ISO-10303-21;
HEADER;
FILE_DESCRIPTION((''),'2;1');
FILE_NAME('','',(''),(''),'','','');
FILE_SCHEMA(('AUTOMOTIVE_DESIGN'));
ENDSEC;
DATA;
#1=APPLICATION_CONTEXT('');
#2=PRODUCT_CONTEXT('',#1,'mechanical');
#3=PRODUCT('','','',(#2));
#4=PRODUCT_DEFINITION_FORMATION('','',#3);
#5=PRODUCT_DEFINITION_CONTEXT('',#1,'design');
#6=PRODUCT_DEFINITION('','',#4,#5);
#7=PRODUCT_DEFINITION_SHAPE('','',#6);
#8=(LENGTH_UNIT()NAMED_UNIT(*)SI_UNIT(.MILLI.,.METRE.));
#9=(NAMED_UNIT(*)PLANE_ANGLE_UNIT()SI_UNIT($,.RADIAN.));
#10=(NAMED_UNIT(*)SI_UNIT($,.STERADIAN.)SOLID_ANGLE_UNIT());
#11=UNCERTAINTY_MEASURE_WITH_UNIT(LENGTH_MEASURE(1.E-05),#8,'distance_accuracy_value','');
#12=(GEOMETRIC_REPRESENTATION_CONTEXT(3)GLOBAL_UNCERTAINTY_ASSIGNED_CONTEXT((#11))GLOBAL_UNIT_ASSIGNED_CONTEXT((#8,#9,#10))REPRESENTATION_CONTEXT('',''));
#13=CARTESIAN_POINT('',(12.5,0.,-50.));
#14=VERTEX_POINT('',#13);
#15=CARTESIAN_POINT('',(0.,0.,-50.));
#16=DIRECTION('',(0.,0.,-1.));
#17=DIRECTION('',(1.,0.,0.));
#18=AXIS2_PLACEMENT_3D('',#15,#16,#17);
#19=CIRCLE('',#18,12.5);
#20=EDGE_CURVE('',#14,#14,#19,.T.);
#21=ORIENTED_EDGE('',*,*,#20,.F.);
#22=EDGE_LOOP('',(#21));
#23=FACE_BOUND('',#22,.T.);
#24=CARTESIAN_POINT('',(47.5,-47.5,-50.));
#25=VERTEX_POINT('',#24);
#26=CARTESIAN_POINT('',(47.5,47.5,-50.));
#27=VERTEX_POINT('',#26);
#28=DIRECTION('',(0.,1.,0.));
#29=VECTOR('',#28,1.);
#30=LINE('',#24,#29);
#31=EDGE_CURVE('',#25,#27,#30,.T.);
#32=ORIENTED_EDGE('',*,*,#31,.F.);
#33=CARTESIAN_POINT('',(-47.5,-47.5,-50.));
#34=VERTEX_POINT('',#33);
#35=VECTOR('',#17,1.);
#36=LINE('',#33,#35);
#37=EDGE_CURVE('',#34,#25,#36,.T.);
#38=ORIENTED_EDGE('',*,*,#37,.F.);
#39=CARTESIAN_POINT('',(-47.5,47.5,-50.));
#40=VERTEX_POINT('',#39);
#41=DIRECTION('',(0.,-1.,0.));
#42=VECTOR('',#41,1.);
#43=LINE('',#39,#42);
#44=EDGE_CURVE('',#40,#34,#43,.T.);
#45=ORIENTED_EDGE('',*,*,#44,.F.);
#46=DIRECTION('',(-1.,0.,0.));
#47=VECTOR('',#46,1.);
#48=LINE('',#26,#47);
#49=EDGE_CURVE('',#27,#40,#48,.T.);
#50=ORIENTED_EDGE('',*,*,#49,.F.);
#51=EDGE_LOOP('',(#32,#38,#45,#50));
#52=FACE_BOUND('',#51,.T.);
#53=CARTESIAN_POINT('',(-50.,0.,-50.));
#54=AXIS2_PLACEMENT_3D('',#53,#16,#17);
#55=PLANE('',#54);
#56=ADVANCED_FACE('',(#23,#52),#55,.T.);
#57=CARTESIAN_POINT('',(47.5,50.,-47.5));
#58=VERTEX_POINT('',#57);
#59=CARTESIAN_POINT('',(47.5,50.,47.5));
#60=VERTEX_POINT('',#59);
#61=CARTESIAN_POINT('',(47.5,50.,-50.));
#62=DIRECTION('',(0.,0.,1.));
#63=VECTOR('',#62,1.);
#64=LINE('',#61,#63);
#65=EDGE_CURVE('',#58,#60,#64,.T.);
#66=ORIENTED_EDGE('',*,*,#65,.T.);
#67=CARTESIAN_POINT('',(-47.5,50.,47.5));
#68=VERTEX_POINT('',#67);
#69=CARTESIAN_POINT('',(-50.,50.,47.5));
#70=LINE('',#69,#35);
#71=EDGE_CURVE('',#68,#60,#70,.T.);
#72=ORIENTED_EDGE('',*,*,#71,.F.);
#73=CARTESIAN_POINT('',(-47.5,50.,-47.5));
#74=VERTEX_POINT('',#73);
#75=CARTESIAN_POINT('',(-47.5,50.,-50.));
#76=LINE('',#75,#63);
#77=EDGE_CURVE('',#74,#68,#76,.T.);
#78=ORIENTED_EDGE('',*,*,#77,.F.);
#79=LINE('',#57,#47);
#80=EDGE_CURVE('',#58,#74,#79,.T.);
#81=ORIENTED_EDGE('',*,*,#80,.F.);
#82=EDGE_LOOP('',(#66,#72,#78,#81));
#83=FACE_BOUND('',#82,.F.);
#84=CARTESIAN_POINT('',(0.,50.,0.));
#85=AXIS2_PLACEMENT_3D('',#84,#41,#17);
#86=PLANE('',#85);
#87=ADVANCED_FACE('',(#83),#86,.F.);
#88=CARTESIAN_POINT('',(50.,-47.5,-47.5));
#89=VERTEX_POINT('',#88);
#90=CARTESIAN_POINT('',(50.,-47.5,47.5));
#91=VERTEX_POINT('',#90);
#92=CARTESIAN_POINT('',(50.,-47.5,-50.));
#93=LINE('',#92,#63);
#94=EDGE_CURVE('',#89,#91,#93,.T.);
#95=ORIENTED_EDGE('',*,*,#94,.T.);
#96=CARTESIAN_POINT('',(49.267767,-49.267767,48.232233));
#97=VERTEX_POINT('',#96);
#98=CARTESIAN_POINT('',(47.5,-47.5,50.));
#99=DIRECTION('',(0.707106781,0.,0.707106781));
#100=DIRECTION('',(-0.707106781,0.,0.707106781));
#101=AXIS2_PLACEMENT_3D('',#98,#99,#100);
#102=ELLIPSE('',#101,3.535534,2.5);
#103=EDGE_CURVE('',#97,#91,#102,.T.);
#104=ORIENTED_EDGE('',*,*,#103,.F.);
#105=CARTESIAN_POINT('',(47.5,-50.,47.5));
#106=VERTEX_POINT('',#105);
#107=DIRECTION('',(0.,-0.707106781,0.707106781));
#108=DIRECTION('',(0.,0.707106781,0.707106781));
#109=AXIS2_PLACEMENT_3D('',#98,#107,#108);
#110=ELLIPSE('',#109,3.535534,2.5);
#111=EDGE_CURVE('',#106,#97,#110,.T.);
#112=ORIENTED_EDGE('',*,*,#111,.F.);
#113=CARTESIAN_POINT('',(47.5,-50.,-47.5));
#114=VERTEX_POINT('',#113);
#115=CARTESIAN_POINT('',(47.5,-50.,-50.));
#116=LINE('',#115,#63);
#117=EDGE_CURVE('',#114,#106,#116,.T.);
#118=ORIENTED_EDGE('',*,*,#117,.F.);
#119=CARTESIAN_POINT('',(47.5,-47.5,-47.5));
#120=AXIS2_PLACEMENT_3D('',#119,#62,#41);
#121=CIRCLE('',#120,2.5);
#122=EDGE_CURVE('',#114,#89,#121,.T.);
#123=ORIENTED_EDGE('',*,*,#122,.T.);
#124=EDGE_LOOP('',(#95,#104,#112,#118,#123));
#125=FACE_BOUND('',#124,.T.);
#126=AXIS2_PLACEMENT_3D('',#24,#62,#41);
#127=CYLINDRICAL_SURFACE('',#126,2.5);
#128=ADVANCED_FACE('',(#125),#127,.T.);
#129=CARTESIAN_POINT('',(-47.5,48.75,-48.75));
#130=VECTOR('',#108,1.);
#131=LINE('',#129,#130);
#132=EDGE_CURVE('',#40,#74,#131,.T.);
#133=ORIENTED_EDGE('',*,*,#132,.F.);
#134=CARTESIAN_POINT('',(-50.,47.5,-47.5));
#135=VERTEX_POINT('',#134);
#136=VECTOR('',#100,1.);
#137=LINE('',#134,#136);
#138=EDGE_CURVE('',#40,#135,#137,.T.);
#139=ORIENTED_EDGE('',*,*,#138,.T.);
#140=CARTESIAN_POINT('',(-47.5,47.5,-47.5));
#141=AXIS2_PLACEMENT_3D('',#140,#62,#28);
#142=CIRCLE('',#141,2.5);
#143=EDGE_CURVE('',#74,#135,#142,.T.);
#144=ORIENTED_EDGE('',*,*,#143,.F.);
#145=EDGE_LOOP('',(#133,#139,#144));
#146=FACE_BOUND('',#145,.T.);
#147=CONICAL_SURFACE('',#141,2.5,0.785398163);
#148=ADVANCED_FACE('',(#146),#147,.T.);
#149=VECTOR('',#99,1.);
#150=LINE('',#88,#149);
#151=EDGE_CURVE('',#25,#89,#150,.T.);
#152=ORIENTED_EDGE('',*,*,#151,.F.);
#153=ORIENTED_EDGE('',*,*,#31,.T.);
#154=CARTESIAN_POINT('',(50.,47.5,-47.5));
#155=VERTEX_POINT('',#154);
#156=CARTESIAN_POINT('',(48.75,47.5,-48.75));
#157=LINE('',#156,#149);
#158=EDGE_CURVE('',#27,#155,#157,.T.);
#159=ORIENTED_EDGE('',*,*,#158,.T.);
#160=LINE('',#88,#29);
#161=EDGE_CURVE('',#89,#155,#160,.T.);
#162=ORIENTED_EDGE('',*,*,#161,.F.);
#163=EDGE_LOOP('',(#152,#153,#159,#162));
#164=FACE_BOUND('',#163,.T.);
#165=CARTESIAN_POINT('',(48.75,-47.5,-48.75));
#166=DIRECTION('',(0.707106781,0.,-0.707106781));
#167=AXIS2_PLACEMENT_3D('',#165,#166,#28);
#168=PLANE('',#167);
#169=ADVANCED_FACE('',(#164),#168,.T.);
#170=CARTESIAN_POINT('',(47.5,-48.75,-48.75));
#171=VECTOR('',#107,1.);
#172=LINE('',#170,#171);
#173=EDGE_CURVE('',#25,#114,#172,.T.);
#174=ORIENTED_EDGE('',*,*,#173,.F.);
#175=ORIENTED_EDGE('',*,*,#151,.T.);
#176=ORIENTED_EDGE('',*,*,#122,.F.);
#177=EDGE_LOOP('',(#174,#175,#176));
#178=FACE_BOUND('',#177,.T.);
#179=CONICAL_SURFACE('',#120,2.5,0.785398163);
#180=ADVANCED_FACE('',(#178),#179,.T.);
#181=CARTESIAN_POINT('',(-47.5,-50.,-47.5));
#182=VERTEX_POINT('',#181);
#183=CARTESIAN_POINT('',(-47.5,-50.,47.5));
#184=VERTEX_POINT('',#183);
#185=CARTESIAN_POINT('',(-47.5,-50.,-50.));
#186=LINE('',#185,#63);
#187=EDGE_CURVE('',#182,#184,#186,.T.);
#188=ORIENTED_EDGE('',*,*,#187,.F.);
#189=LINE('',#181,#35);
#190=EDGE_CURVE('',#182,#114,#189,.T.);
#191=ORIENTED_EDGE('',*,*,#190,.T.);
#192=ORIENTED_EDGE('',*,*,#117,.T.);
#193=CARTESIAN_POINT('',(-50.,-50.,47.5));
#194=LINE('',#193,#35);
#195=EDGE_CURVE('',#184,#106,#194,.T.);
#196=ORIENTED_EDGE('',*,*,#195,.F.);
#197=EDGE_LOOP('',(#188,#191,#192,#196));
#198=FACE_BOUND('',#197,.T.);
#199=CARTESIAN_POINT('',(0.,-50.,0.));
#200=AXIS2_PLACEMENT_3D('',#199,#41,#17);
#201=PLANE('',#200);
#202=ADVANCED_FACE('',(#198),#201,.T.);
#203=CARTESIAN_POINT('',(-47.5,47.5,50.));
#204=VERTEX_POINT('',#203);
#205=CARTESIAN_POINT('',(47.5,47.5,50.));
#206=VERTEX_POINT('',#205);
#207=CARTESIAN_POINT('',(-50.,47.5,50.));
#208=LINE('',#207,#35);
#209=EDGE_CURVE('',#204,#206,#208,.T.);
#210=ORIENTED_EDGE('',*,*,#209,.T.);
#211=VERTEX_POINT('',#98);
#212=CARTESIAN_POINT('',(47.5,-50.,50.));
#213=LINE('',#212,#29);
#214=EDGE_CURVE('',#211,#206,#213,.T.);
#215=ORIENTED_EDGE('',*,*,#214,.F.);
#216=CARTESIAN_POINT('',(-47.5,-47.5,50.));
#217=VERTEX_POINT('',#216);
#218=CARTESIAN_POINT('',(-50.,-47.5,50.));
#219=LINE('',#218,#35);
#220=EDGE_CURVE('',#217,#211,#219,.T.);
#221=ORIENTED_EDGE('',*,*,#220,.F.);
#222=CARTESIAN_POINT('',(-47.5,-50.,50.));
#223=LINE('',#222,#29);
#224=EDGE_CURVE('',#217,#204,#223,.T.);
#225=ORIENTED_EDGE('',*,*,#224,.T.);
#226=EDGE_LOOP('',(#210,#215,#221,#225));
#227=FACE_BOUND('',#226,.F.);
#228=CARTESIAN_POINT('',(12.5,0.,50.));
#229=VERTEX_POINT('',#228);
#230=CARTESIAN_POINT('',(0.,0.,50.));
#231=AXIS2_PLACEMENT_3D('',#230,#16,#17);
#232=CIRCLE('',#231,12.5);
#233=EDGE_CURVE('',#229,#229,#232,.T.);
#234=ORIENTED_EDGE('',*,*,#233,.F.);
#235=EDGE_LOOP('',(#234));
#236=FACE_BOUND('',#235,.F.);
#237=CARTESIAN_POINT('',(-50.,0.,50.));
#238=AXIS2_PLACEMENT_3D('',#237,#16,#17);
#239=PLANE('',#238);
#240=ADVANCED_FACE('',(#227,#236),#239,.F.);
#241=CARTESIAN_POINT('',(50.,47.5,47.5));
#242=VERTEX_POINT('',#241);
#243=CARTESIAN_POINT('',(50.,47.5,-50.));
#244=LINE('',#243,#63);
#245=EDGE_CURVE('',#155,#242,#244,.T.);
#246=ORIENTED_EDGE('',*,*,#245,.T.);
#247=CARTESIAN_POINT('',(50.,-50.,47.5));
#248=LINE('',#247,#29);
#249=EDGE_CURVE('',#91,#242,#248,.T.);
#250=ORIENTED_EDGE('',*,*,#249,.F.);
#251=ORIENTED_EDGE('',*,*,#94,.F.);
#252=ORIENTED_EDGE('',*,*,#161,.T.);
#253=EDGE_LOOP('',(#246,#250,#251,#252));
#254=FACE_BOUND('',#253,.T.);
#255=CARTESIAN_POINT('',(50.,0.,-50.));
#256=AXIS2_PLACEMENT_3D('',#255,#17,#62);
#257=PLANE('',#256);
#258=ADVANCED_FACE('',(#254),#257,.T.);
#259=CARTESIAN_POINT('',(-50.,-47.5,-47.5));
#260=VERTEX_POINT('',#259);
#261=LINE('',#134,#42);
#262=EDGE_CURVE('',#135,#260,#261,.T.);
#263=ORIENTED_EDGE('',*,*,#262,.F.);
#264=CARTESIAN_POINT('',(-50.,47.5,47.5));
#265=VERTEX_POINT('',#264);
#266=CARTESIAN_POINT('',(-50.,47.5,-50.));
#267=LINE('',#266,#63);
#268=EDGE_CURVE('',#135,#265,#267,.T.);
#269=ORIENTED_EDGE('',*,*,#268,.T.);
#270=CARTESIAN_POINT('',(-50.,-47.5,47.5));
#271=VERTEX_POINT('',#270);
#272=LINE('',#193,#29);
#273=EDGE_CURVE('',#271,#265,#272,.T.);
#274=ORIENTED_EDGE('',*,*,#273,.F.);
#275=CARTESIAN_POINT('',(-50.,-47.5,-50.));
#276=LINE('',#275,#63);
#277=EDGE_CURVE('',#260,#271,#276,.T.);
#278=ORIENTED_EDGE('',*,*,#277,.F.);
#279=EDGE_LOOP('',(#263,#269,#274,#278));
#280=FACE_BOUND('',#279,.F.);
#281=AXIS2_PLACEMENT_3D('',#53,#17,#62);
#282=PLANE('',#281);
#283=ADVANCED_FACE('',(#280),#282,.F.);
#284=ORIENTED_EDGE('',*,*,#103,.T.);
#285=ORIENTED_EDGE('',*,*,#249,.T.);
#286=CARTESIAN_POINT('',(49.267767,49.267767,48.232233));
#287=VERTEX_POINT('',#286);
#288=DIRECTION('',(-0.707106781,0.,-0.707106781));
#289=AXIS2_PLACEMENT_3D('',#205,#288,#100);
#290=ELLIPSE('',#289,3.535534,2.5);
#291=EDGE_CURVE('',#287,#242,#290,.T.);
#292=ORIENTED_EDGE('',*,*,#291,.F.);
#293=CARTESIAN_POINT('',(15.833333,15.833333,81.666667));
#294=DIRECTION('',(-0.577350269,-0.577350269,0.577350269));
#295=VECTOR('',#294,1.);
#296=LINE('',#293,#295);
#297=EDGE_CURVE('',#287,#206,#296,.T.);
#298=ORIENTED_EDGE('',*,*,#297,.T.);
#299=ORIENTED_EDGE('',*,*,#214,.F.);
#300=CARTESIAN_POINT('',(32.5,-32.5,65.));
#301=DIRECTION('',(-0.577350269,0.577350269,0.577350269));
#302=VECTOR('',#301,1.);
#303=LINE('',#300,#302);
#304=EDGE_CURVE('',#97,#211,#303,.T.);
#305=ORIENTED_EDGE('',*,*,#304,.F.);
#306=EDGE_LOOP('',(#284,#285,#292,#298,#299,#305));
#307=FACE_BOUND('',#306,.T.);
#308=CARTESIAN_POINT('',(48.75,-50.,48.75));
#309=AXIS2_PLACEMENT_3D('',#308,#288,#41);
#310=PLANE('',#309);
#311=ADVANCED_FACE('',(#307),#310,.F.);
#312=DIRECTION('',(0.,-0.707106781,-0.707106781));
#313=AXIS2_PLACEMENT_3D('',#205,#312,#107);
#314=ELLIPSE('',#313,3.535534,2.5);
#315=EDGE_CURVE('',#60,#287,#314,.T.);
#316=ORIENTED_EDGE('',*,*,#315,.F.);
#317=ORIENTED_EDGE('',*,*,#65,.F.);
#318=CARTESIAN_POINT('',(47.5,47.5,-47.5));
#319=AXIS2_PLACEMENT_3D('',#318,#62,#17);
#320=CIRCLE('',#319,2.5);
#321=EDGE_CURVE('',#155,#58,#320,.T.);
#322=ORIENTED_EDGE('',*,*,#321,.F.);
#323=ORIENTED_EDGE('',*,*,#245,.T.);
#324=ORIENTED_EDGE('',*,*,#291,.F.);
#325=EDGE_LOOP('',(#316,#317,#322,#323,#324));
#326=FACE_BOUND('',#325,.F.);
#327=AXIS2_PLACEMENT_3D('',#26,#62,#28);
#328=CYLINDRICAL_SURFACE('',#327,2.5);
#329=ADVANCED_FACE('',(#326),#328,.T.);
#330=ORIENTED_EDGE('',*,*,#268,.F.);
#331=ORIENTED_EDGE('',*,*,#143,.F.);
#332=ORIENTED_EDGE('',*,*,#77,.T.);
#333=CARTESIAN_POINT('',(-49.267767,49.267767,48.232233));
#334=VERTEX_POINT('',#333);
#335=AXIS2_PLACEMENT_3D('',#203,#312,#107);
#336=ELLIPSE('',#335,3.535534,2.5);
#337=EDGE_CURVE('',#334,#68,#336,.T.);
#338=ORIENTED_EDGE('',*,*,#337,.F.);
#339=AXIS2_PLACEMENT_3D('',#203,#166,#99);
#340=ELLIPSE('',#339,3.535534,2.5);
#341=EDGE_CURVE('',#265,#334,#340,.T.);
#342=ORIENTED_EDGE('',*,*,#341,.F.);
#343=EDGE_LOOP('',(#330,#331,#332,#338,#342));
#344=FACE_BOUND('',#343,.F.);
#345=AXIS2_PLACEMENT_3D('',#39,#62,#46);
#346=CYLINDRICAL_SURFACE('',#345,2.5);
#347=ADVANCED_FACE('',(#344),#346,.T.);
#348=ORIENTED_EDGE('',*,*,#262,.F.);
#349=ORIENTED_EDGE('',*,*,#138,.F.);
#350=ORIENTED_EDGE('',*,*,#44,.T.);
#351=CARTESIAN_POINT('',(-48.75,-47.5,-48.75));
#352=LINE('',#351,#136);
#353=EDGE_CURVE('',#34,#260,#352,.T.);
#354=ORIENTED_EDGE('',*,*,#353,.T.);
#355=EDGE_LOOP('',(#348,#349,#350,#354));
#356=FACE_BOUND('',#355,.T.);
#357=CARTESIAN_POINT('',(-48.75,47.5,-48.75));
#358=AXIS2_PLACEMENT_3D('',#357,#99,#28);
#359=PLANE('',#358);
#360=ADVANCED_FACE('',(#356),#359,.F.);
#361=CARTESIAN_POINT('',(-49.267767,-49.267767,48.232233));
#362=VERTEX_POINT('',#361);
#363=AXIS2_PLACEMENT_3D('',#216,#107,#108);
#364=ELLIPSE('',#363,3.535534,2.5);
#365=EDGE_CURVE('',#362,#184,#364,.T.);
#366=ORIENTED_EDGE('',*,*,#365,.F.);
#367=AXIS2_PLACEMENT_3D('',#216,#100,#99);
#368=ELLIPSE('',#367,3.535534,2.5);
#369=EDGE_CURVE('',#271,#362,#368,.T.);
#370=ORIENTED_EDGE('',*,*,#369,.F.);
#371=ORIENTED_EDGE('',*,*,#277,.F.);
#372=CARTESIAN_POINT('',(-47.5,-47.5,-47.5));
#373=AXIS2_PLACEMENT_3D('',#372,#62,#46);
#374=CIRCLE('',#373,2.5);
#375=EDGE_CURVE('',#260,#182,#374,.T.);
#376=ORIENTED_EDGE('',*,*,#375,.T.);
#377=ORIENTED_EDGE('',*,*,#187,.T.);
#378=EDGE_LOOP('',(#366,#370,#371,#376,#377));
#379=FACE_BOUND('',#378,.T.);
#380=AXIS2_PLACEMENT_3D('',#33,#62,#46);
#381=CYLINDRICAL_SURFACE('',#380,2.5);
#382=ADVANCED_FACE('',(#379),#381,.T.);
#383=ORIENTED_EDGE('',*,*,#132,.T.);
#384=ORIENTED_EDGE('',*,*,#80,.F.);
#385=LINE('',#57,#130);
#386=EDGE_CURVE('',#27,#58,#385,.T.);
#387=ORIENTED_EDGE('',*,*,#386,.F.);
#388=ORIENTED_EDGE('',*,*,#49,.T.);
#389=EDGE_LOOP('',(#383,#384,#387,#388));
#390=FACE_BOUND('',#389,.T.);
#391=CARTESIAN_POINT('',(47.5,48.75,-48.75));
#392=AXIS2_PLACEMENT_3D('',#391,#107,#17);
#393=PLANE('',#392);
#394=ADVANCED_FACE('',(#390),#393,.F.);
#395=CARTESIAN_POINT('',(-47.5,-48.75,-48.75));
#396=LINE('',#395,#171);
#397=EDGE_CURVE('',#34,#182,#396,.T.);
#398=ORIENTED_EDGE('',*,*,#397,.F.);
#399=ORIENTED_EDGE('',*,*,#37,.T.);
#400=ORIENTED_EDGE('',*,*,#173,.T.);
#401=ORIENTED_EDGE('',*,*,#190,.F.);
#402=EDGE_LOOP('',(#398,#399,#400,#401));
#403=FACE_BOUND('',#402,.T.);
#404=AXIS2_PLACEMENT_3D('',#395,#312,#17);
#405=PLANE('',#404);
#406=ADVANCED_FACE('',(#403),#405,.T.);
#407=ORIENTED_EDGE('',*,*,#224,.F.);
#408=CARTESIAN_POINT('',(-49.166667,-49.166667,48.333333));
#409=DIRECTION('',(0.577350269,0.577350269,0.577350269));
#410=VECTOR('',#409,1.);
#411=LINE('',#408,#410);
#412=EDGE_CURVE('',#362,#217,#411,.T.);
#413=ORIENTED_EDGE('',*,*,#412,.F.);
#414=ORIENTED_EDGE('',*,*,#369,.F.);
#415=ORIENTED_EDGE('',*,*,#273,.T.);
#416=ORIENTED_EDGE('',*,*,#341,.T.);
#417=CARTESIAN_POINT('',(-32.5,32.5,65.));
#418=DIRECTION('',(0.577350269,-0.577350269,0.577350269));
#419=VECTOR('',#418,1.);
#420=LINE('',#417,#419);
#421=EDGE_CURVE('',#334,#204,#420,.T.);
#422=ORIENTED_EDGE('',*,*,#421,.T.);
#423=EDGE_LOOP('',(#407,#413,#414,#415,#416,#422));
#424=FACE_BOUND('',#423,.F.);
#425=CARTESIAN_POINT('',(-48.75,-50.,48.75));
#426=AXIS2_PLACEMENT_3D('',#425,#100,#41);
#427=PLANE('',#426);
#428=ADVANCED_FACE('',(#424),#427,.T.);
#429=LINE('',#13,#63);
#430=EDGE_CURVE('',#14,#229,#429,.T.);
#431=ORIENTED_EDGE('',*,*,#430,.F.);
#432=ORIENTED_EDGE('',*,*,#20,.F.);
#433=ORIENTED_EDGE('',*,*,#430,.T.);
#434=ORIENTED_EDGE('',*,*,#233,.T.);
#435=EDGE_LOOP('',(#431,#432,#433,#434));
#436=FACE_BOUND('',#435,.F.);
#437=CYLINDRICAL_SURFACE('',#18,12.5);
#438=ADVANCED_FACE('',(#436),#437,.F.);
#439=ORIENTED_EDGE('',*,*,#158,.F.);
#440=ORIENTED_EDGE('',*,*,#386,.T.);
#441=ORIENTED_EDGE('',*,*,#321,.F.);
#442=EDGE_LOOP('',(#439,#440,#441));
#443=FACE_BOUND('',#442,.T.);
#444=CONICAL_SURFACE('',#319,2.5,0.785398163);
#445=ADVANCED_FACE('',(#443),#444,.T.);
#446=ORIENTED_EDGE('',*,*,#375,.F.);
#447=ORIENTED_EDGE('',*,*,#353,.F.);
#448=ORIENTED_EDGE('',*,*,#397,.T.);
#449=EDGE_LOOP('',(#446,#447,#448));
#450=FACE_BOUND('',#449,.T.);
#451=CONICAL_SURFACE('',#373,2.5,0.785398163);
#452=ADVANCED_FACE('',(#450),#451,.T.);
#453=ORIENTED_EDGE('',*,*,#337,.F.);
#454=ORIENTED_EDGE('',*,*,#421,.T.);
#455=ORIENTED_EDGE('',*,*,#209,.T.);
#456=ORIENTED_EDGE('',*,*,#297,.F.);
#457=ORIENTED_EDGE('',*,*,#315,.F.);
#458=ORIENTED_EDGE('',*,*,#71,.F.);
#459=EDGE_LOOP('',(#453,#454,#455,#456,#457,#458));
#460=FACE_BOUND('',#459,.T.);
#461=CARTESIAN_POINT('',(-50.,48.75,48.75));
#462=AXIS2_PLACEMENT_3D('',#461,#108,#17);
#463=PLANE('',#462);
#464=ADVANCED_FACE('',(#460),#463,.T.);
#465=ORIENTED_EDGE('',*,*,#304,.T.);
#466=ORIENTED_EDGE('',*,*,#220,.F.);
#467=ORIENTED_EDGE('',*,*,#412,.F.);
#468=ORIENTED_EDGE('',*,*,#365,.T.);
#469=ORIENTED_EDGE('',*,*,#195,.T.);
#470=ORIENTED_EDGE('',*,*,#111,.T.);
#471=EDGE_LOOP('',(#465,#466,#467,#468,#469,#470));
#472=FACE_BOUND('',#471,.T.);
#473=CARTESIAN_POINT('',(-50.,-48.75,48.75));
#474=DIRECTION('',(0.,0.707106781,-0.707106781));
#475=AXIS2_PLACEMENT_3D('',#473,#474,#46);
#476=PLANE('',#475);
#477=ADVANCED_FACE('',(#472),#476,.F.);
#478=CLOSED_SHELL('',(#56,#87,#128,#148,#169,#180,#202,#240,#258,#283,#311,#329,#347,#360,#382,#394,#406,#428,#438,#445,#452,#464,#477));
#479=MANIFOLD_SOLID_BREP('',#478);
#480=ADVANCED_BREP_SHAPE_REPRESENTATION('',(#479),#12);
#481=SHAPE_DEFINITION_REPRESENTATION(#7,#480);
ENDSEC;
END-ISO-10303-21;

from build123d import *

# Parameters (mm, degrees)
F0_W     = 100
F0_H     = 100
F1_DEPTH = 50
F2_SIZE  = 2.5
F3_R     = 2.5
F4_SIZE  = 2.5
F5_R     = 12.5
F6_DEPTH = 100.001


with BuildPart() as f1:
    # F0 (on Front) → F1 (new body, symmetric)
    with BuildSketch(Plane.XZ):
        Rectangle(F0_W, F0_H)
    extrude(amount=F1_DEPTH, both=True)

    # F2
    f2_edges = [f1.edges().sort_by_distance(p)[0] for p in [
        (50, 0, 50),
        (0, -50, 50),
        (-50, 0, 50),
        (0, 50, 50),
    ]]
    chamfer(f2_edges, length=F2_SIZE)

    # F3
    f3_edges = [f1.edges().sort_by_distance(p)[0] for p in [
        (-50, 50, -1.25),
        (50, -50, -1.25),
        (-50, -50, -1.25),
        (50, 50, -1.25),
    ]]
    fillet(f3_edges, radius=F3_R)

    # F4
    f4_edges = [f1.edges().sort_by_distance(p)[0] for p in [
        (0, -50, -50),
        (0, 50, -50),
        (-50, 0, -50),
        (50, 0, -50),
    ]]
    chamfer(f4_edges, length=F4_SIZE)

    # F5 (on face) → F6 (cut, through all)
    with BuildSketch(Plane(origin=(0, 0, -50), x_dir=(1, 0, 0), z_dir=(0, 0, -1))):
        Circle(F5_R)
    extrude(amount=-F6_DEPTH, mode=Mode.SUBTRACT)


solid = f1.part
